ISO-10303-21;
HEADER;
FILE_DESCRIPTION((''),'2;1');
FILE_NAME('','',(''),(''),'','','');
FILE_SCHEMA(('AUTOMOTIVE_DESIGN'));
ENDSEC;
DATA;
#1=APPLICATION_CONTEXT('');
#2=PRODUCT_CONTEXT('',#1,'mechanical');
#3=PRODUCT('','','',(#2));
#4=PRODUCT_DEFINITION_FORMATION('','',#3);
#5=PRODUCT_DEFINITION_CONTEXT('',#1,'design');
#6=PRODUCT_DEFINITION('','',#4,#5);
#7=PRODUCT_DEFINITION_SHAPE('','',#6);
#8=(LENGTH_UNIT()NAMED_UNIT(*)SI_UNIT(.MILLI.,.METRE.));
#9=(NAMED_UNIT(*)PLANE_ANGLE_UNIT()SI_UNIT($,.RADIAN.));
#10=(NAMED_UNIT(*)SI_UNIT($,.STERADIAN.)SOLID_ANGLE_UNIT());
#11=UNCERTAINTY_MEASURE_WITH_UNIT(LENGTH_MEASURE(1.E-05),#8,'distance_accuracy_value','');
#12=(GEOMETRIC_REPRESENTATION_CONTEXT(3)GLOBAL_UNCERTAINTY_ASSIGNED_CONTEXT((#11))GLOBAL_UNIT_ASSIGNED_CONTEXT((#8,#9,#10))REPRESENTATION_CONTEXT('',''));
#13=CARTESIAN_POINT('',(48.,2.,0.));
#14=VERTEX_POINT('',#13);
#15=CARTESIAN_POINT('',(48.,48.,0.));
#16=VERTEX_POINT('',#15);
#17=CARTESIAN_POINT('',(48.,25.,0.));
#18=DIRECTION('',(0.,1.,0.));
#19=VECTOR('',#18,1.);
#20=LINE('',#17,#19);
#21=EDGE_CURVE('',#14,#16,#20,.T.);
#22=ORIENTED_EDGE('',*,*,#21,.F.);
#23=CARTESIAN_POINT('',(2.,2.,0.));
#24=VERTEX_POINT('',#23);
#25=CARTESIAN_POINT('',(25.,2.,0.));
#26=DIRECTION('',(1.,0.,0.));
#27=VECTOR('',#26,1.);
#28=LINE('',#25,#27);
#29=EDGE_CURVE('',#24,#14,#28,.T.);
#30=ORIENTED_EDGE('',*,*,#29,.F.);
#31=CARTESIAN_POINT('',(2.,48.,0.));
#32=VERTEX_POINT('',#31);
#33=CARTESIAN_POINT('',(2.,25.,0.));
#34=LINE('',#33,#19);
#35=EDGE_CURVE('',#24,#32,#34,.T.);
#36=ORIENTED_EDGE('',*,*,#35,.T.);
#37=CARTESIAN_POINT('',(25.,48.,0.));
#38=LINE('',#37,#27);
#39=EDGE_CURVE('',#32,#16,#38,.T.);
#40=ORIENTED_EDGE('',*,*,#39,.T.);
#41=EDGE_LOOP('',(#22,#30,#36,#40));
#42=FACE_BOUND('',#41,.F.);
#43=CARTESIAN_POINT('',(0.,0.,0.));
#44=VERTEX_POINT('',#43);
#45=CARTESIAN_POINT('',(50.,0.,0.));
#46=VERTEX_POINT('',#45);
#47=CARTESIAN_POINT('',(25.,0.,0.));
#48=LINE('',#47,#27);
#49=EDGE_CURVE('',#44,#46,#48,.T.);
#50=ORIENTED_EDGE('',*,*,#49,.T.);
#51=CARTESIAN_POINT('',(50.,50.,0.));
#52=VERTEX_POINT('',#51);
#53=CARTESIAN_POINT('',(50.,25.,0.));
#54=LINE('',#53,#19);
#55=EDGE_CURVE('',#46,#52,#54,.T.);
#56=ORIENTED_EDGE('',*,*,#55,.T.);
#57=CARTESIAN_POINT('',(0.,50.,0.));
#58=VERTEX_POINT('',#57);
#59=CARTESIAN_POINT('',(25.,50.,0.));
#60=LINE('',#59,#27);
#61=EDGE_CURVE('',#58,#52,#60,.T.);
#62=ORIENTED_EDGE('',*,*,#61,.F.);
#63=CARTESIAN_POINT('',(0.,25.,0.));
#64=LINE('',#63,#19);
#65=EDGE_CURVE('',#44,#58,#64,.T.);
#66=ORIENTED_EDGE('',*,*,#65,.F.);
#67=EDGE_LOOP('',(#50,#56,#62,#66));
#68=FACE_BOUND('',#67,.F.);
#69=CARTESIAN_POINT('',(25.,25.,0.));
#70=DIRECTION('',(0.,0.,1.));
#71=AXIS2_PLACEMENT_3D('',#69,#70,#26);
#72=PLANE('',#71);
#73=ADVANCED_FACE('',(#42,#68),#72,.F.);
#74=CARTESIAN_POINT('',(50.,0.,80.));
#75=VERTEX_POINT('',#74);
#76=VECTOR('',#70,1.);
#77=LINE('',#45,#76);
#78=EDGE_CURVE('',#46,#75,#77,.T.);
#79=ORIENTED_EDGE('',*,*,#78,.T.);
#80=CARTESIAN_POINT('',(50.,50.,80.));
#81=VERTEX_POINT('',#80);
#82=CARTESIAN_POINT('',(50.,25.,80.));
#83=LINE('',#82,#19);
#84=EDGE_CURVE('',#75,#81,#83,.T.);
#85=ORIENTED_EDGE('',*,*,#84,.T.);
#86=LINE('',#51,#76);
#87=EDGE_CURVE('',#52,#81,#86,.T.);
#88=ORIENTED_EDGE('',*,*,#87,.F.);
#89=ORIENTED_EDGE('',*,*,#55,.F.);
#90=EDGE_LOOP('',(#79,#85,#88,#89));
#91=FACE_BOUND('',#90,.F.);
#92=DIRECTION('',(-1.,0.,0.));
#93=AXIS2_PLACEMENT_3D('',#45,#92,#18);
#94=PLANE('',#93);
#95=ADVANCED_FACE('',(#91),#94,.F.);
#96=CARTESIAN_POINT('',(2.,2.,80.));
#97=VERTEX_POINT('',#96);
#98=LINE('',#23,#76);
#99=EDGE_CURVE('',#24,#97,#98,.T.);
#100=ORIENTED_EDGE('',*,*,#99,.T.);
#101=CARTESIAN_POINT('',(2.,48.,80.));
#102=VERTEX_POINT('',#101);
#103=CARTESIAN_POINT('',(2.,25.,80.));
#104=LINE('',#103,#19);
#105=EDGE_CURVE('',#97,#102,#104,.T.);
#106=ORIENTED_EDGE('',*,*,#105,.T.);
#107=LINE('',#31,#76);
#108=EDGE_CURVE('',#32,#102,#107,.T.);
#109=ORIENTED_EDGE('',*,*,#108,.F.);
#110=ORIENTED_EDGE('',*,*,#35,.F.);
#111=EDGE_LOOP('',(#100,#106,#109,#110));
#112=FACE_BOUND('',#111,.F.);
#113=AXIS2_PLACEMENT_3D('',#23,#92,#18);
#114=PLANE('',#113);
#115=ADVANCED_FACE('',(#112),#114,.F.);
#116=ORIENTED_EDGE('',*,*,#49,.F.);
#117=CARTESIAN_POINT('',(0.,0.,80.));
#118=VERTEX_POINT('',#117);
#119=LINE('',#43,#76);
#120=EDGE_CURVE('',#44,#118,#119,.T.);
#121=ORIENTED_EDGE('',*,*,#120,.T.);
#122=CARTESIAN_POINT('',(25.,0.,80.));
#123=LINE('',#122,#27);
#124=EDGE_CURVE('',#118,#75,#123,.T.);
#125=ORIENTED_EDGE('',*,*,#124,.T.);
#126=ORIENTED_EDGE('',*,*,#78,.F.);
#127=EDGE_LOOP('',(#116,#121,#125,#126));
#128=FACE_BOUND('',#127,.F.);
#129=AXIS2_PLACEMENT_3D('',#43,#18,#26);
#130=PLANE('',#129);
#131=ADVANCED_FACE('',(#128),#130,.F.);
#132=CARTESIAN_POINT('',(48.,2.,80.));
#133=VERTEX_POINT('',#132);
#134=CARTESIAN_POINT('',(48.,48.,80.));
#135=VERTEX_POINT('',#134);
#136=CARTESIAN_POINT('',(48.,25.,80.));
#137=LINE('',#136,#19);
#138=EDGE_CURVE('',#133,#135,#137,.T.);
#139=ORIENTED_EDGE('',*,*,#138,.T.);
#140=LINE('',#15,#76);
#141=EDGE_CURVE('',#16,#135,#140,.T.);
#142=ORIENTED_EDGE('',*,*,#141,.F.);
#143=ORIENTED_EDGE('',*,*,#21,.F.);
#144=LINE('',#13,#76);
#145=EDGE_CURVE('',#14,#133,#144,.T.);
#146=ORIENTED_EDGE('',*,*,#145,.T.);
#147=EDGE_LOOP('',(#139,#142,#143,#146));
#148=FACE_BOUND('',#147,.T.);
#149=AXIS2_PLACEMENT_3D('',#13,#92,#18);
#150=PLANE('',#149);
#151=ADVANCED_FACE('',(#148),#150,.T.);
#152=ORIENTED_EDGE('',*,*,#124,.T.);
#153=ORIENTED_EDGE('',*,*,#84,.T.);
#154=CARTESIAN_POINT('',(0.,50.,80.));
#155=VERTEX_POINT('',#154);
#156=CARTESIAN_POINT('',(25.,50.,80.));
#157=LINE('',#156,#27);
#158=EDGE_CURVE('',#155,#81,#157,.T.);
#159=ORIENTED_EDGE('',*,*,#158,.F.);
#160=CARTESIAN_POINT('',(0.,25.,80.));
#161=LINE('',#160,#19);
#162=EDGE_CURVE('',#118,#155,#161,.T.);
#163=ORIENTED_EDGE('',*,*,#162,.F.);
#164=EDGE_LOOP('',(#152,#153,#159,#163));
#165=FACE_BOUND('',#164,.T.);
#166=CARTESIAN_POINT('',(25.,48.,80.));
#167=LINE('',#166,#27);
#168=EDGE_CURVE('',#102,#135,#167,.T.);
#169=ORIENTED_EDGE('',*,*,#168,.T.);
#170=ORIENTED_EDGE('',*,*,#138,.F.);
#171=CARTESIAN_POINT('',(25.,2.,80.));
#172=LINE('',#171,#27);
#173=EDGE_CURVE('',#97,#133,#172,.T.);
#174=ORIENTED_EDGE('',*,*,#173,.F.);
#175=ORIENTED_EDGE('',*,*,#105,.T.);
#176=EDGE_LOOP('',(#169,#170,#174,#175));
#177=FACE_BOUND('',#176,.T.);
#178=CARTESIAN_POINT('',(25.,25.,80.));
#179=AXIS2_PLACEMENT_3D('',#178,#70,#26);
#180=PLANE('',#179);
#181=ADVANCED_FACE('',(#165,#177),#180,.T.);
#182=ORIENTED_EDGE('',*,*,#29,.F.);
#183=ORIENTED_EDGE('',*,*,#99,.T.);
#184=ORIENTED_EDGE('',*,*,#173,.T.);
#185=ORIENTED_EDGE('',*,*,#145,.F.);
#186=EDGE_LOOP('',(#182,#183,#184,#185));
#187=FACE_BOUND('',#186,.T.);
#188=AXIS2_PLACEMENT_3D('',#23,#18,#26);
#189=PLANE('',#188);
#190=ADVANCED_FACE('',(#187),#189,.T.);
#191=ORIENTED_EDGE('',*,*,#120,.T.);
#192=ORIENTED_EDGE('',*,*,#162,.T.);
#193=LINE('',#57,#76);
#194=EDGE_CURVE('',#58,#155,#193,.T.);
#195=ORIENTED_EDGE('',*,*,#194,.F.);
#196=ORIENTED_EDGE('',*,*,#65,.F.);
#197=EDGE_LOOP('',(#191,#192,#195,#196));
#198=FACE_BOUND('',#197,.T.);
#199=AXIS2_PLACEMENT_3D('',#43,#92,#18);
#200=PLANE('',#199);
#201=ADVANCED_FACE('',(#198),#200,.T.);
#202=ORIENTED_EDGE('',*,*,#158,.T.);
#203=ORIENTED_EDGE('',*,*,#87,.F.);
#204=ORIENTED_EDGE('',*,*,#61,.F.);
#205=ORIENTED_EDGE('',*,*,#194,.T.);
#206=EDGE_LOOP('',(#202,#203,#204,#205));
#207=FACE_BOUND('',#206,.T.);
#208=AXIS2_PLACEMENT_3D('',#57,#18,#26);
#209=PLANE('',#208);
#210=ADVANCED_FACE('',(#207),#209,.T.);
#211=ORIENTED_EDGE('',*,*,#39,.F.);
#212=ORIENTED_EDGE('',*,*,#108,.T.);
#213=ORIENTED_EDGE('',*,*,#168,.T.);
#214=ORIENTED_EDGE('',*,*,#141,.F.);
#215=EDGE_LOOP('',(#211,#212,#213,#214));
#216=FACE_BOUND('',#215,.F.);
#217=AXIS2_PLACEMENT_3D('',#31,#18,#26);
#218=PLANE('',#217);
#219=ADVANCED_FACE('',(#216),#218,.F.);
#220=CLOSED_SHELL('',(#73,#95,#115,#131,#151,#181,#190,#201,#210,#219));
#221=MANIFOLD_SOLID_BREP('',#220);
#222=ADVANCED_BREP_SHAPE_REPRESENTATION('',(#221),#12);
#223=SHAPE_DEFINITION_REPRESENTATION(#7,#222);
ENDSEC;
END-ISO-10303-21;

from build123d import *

# Parameters (mm, degrees)
BOX001_W     = 46
BOX001_H     = 46
BOX001_DEPTH = 80
BOX_W        = 50
BOX_H        = 50
BOX_DEPTH    = 80


with BuildPart() as cube001:
    # Box001 → Box001 (new body)
    with BuildSketch(Plane(origin=(2, 2, 0), x_dir=(1, 0, 0), z_dir=(0, 0, 1))):
        with Locations((23, 23)):
            Rectangle(BOX001_W, BOX001_H)
    extrude(amount=BOX001_DEPTH)


with BuildPart() as cut:
    # Box → Box (new body)
    with BuildSketch(Plane.XY):
        with Locations((25, 25)):
            Rectangle(BOX_W, BOX_H)
    extrude(amount=BOX_DEPTH)

    # Cut: cut Cube001
    add(cube001.part, mode=Mode.SUBTRACT)


solid = cut.part
